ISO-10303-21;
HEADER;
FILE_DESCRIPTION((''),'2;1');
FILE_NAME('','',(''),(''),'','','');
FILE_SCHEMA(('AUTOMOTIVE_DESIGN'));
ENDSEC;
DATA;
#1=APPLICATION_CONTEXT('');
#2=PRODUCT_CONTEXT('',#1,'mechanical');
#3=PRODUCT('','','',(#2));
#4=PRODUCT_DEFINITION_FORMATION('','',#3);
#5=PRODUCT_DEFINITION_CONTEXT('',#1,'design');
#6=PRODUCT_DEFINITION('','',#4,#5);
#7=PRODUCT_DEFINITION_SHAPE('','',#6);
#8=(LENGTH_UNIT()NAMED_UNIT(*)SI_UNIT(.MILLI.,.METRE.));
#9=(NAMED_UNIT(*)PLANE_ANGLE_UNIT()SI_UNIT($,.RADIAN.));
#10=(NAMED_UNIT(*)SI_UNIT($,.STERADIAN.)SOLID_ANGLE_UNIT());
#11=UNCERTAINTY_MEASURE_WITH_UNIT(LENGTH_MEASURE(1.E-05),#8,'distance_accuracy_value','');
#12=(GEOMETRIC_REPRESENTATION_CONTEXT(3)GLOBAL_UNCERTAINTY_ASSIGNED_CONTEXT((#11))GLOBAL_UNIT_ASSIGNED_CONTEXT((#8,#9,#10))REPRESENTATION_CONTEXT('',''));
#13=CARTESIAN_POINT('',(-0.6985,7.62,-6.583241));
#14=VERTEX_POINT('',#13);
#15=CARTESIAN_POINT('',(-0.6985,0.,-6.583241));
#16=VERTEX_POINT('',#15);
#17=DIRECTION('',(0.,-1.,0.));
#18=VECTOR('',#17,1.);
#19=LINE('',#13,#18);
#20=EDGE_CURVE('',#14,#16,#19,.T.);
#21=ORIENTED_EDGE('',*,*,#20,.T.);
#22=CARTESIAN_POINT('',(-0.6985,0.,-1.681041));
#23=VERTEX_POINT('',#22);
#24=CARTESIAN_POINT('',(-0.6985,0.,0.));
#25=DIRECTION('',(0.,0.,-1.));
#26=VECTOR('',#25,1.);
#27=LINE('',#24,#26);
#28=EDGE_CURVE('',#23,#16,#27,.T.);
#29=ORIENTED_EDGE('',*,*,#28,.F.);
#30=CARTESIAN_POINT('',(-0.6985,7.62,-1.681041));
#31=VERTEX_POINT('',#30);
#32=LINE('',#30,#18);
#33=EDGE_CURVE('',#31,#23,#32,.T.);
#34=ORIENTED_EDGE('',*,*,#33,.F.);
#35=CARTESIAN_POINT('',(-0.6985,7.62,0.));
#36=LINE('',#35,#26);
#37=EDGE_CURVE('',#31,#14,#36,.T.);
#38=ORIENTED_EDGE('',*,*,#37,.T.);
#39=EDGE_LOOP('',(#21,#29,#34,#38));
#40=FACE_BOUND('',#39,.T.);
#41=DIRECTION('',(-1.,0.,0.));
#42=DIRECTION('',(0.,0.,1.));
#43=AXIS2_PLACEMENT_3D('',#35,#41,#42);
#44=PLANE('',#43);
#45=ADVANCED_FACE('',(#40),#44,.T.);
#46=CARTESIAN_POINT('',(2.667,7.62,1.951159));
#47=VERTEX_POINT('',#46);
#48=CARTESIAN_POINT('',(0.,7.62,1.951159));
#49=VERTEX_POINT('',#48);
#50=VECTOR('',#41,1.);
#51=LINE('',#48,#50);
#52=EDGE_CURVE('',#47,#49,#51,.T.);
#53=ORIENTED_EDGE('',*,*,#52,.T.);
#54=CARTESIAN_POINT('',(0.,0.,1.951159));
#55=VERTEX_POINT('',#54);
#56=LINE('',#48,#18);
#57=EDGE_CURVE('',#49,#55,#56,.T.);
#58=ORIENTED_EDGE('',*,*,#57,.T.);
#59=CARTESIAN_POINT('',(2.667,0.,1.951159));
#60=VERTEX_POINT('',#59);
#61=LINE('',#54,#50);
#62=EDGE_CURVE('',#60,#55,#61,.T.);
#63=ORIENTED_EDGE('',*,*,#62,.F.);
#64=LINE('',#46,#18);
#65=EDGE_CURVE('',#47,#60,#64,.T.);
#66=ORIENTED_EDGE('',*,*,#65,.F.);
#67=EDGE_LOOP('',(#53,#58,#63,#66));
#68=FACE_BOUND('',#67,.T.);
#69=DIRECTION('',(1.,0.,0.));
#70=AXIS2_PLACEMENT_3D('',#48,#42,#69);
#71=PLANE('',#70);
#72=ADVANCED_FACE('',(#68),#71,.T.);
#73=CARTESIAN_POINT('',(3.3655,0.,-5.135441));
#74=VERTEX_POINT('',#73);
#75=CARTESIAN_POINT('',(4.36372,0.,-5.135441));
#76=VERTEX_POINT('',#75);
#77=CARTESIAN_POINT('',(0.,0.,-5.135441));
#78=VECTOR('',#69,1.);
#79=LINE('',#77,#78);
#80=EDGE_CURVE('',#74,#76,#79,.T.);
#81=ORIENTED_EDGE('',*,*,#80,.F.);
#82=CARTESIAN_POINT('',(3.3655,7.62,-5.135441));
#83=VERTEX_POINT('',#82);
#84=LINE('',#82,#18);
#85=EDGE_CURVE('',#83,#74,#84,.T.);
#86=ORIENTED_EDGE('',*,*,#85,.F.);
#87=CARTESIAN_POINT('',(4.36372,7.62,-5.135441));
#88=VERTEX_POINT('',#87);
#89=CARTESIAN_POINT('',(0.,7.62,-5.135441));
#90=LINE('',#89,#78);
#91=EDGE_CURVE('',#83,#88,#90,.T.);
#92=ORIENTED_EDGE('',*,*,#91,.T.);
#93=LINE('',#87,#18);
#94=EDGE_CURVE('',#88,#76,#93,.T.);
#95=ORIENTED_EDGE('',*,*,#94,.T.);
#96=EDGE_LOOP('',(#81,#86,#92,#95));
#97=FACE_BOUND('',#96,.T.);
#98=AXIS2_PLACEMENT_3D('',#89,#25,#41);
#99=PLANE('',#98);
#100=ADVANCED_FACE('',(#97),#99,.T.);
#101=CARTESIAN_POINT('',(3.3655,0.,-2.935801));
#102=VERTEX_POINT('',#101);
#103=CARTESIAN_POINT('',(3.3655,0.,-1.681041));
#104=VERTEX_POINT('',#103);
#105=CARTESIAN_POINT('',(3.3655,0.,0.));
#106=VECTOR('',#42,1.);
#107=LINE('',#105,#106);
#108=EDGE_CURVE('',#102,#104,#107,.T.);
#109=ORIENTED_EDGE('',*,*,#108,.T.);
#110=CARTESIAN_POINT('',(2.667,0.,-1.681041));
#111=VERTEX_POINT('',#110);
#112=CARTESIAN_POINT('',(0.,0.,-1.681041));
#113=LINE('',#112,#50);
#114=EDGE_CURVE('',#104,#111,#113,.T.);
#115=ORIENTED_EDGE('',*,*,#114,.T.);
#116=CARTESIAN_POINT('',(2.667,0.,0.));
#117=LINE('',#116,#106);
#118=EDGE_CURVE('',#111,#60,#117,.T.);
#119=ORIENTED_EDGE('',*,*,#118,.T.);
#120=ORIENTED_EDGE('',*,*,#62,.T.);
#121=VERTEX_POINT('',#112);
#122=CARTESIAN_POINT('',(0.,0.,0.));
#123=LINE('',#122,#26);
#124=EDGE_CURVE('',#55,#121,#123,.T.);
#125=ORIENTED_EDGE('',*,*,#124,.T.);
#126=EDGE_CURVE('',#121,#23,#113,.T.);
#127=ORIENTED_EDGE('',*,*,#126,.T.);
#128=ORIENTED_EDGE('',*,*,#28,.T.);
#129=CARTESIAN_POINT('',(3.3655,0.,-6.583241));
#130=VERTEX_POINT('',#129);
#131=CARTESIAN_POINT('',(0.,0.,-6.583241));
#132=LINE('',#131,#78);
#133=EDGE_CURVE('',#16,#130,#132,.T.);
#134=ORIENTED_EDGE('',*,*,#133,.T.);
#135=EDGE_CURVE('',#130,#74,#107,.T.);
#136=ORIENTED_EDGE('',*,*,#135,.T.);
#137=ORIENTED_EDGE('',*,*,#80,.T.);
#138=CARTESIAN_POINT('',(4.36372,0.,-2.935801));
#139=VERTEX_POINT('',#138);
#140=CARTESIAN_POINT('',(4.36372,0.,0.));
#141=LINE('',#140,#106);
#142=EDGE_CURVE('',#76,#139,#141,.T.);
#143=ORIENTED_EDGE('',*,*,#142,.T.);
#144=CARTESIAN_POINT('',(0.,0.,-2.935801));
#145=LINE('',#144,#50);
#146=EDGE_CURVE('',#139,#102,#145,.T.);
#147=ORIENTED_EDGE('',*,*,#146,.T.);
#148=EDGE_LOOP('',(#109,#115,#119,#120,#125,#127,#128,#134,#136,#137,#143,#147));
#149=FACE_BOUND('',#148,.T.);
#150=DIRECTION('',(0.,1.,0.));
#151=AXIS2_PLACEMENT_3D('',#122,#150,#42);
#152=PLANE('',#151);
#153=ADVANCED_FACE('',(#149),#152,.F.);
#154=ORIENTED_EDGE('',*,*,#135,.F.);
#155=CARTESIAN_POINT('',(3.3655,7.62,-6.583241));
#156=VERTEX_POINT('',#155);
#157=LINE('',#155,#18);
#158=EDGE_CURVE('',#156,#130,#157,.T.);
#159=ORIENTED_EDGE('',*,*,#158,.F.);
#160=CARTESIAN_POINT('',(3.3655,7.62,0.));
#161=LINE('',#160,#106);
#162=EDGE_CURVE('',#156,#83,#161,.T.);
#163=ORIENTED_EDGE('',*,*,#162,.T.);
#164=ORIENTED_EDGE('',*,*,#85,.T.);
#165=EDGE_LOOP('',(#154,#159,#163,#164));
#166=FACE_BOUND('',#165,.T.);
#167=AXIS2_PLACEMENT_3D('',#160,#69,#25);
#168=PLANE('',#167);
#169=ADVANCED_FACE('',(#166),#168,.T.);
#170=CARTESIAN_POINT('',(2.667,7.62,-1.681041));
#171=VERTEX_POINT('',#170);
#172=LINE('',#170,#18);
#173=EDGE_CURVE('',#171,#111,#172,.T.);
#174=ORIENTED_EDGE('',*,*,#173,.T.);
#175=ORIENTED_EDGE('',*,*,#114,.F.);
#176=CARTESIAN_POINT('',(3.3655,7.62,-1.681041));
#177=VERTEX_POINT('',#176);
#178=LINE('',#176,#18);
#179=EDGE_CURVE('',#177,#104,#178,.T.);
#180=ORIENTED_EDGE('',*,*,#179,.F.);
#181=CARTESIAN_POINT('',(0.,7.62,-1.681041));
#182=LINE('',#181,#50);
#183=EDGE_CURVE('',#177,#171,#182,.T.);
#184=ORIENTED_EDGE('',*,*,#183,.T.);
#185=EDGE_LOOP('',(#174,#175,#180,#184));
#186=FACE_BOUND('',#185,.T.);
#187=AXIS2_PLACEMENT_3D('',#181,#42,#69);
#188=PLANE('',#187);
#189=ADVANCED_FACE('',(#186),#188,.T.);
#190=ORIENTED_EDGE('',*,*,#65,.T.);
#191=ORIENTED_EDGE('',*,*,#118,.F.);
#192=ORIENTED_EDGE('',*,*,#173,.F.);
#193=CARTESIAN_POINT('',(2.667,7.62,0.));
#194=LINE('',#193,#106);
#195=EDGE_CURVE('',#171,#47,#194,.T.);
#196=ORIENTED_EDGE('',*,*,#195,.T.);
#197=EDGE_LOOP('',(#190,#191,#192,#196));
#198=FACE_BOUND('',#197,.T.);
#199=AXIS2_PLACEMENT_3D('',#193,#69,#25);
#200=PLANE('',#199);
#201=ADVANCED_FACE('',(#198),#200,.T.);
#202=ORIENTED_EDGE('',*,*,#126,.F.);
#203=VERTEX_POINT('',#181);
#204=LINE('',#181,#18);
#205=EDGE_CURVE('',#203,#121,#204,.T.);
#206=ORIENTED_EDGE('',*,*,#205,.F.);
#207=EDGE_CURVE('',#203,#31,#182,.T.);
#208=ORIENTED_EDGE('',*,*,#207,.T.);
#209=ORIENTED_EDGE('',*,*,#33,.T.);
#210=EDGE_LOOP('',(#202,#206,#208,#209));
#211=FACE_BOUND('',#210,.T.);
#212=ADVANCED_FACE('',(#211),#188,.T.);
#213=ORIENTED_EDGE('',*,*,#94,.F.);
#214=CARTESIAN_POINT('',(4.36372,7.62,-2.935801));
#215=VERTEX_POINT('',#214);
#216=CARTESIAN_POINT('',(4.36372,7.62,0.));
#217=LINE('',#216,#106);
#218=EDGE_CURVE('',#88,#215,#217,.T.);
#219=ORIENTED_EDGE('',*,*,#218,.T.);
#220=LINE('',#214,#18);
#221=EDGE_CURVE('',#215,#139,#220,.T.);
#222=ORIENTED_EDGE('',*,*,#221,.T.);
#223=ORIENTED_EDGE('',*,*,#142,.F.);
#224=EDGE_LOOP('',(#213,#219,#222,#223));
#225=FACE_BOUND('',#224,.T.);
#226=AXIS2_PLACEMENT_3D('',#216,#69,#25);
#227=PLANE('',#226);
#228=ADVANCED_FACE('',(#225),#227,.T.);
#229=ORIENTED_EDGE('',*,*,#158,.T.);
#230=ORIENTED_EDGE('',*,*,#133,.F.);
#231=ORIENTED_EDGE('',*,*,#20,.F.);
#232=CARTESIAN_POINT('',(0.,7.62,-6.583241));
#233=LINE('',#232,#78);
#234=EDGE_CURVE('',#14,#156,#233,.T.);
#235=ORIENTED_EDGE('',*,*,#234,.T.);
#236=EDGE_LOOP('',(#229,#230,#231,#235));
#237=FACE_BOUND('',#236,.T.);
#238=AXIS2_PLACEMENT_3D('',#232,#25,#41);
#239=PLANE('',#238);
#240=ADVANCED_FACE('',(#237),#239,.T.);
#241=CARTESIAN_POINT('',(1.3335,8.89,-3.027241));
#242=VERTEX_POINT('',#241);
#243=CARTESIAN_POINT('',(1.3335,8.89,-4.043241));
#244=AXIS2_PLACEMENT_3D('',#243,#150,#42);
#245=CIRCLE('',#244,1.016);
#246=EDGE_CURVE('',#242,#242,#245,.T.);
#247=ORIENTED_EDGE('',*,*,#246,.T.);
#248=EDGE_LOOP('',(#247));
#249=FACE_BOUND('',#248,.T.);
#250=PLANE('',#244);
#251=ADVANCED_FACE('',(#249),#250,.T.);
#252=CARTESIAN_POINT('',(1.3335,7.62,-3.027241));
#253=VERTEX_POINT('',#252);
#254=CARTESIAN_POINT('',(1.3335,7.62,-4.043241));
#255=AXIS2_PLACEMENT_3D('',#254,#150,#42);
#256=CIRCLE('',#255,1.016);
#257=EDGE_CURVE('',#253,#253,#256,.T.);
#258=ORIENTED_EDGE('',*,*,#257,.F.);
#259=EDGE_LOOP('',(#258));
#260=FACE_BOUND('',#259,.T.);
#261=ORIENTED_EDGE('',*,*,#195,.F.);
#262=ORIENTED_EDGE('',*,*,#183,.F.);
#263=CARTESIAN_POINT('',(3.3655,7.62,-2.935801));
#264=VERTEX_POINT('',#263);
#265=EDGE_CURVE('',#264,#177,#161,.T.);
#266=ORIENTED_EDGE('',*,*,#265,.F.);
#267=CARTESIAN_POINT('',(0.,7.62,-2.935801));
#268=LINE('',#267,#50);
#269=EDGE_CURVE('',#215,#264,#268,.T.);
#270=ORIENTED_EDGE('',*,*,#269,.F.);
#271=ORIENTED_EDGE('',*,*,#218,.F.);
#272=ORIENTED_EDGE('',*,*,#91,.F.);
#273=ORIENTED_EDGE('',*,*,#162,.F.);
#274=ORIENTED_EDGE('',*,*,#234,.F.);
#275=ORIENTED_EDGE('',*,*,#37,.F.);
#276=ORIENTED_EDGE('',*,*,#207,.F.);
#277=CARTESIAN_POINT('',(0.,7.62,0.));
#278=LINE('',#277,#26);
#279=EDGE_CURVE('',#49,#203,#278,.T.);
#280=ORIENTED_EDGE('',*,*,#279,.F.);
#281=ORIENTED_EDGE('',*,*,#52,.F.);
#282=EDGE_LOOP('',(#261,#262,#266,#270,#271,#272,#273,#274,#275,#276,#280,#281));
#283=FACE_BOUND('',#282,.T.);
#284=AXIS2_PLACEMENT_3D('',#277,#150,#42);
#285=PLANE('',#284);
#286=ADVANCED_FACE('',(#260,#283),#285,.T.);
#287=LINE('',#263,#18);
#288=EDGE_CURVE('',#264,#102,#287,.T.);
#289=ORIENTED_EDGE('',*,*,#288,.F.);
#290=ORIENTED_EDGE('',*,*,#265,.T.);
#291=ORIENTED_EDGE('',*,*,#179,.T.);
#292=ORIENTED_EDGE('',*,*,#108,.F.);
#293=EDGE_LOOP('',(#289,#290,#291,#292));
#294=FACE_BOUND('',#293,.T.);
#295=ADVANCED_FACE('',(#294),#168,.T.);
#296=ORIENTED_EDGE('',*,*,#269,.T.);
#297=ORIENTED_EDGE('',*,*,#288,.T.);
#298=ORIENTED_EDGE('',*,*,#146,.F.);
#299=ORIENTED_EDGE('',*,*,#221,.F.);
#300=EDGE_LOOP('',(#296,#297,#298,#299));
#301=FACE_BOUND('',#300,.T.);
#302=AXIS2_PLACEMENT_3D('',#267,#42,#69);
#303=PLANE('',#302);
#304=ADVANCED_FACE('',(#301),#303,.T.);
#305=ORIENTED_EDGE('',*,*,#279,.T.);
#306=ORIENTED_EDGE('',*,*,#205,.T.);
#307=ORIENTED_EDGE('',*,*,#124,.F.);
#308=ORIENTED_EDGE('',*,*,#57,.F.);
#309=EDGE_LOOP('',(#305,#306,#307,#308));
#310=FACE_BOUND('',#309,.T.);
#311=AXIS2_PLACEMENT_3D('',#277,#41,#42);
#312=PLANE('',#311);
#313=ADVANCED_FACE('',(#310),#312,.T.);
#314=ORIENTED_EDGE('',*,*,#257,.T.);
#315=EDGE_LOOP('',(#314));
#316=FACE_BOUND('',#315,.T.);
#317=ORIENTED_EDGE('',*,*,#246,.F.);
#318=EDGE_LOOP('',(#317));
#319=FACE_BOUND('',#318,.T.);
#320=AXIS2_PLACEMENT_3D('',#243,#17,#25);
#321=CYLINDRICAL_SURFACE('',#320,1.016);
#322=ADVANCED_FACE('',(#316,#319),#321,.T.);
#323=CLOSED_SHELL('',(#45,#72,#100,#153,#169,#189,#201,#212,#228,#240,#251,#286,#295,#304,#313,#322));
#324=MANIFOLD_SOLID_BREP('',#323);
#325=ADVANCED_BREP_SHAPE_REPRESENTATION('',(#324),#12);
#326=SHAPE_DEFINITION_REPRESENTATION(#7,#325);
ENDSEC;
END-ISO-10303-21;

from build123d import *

# Parameters (mm, degrees)
BOSS_EXTRUDE1_DEPTH = 7.62
SKETCH2_R           = 1.016
BOSS_EXTRUDE2_DEPTH = 1.27


with BuildPart() as part:
    # Sketch1 → Boss-Extrude1 (new body)
    with BuildSketch(Plane(origin=(0, 0, 0), x_dir=(1, 0, 0), z_dir=(0, 1, 0))):
        Polygon((0, 1.681040649), (0, 0), (0, -1.951159351), (2.667, -1.951159351), (2.667, 1.681040649), (3.3655, 1.681040649), (3.3655, 2.935800649), (4.36372, 2.935800649), (4.36372, 5.135440649), (3.3655, 5.135440649), (3.3655, 6.583240649), (-0.6985, 6.583240649), (-0.6985, 1.681040649), align=None)
    extrude(amount=BOSS_EXTRUDE1_DEPTH)

    # Sketch2 → Boss-Extrude2 (add)
    with BuildSketch(Plane(origin=(0, 7.62, 0), x_dir=(1, 0, 0), z_dir=(0, 1, 0))):
        with Locations(Location((1.3335, 4.043240649, 0), (0, 0, 270))):
            Circle(SKETCH2_R)
    extrude(amount=BOSS_EXTRUDE2_DEPTH)


solid = part.part
